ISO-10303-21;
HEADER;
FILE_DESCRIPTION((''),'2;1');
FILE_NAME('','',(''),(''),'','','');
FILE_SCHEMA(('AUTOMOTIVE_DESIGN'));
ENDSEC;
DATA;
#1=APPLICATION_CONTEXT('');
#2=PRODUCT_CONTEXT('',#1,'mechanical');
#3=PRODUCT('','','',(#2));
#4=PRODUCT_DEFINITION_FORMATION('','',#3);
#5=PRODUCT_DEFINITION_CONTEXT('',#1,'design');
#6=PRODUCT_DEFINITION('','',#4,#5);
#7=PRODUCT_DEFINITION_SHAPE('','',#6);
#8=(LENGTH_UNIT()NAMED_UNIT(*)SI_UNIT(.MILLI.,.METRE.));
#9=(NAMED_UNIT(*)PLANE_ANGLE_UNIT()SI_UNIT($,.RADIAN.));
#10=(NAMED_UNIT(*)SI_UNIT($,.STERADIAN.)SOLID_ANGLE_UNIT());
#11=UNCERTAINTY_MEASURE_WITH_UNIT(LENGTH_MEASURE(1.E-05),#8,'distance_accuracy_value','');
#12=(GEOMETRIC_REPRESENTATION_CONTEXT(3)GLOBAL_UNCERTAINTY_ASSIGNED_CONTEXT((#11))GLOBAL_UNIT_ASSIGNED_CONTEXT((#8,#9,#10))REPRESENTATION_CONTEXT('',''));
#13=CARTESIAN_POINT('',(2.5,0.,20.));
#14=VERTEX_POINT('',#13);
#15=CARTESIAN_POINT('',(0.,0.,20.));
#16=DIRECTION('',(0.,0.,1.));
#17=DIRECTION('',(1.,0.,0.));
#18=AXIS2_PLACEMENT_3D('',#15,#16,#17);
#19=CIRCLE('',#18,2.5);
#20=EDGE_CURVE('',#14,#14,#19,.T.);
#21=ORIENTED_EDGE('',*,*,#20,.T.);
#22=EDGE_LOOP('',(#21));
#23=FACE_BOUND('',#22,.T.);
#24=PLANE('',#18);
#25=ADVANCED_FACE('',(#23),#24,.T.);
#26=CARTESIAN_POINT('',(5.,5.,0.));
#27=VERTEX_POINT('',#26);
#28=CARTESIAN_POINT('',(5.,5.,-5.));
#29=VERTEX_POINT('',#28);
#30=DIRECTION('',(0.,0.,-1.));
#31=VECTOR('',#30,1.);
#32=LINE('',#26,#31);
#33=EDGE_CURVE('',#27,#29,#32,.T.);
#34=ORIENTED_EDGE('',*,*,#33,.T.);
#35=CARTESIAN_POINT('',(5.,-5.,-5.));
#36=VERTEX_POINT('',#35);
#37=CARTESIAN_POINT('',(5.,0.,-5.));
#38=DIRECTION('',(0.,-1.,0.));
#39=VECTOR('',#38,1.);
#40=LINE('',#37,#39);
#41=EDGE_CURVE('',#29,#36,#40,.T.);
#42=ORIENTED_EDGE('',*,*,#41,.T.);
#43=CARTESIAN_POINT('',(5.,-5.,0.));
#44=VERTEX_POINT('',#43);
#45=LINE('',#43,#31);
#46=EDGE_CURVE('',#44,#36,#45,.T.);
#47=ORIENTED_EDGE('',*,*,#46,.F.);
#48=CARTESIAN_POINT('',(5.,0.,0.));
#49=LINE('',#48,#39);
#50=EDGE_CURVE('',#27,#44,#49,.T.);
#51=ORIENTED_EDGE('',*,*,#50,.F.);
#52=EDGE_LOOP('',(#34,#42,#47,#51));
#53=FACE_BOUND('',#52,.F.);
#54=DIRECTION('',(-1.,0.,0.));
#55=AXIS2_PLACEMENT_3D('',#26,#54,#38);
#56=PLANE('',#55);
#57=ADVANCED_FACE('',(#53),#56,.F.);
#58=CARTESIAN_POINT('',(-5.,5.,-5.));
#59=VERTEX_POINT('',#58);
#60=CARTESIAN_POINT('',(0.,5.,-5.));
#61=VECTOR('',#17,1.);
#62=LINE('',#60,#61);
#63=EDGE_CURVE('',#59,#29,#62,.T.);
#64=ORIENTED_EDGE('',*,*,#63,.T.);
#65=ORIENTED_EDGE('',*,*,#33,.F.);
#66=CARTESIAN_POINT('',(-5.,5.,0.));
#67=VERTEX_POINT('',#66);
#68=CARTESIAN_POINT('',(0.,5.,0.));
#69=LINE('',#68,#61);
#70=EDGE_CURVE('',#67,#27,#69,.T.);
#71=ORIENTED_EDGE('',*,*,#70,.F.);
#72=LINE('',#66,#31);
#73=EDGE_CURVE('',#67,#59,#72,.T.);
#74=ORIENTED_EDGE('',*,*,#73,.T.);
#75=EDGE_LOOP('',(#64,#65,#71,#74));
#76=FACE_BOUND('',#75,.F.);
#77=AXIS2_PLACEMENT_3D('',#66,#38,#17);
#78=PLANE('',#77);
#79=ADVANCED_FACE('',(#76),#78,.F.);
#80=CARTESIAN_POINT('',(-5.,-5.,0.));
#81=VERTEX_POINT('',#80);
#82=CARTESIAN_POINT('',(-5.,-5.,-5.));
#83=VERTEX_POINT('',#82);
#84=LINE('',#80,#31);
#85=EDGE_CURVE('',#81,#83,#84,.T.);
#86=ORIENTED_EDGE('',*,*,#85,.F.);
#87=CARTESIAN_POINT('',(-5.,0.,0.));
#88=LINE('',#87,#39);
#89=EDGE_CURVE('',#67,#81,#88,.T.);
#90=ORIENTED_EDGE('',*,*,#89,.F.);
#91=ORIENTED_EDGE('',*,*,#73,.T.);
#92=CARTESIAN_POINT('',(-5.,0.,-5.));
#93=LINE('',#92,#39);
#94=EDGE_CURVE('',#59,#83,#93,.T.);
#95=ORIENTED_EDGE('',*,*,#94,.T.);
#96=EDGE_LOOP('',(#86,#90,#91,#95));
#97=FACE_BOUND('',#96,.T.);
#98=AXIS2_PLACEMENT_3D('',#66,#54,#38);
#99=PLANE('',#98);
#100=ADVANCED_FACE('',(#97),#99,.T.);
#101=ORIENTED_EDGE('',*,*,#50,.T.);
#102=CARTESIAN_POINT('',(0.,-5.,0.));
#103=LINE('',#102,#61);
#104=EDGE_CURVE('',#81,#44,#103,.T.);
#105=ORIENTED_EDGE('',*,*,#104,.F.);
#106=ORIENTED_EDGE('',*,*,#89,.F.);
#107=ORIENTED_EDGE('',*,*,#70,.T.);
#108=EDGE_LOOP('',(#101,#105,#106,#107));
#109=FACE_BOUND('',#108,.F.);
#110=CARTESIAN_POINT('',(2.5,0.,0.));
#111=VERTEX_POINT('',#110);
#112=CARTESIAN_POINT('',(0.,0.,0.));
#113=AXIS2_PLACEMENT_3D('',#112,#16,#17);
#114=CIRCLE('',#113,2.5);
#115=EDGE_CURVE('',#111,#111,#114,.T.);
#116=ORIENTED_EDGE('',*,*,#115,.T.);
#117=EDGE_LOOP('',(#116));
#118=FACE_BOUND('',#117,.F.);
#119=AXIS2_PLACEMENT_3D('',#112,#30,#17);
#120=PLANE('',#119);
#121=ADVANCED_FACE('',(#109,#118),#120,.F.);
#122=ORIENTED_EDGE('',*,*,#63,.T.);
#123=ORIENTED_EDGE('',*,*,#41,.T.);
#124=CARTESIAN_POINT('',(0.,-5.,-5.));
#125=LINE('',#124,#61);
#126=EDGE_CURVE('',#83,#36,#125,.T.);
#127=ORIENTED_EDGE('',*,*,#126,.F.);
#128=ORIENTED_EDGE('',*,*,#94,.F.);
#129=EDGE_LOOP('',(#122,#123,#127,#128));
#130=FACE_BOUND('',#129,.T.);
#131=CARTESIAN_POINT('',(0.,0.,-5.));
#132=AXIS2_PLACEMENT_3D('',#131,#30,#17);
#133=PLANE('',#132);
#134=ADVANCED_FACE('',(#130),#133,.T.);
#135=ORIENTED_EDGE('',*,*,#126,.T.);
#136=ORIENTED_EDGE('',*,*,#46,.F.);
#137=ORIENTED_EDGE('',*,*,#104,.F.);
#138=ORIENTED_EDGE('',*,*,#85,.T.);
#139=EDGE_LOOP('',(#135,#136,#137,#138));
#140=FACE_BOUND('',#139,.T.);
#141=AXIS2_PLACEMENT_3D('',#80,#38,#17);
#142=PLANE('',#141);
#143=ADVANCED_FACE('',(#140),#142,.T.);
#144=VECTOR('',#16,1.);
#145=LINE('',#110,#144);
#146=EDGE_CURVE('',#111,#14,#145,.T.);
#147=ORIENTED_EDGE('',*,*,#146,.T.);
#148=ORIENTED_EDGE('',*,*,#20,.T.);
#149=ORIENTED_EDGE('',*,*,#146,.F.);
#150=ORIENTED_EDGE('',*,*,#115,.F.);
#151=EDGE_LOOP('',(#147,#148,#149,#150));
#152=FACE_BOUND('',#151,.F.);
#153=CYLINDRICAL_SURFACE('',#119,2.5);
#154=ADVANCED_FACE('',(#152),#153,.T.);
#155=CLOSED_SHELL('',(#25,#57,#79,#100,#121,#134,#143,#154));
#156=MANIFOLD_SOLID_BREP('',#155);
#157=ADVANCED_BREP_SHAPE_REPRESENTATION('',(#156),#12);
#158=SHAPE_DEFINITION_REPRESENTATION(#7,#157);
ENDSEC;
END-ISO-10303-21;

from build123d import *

# Parameters (mm, degrees)
F0_R     = 2.5
F1_DEPTH = 20
F2_W     = 10
F2_H     = 10
F3_DEPTH = 5


with BuildPart() as f1:
    # F0 (on Top) → F1 (new body)
    with BuildSketch(Plane.XY):
        Circle(F0_R)
    extrude(amount=F1_DEPTH)

    # F2 (on face) → F3 (join)
    with BuildSketch(Plane(origin=(0, 0, 0), x_dir=(1, 0, 0), z_dir=(0, 0, -1))):
        Rectangle(F2_W, F2_H)
    extrude(amount=F3_DEPTH)


solid = f1.part
